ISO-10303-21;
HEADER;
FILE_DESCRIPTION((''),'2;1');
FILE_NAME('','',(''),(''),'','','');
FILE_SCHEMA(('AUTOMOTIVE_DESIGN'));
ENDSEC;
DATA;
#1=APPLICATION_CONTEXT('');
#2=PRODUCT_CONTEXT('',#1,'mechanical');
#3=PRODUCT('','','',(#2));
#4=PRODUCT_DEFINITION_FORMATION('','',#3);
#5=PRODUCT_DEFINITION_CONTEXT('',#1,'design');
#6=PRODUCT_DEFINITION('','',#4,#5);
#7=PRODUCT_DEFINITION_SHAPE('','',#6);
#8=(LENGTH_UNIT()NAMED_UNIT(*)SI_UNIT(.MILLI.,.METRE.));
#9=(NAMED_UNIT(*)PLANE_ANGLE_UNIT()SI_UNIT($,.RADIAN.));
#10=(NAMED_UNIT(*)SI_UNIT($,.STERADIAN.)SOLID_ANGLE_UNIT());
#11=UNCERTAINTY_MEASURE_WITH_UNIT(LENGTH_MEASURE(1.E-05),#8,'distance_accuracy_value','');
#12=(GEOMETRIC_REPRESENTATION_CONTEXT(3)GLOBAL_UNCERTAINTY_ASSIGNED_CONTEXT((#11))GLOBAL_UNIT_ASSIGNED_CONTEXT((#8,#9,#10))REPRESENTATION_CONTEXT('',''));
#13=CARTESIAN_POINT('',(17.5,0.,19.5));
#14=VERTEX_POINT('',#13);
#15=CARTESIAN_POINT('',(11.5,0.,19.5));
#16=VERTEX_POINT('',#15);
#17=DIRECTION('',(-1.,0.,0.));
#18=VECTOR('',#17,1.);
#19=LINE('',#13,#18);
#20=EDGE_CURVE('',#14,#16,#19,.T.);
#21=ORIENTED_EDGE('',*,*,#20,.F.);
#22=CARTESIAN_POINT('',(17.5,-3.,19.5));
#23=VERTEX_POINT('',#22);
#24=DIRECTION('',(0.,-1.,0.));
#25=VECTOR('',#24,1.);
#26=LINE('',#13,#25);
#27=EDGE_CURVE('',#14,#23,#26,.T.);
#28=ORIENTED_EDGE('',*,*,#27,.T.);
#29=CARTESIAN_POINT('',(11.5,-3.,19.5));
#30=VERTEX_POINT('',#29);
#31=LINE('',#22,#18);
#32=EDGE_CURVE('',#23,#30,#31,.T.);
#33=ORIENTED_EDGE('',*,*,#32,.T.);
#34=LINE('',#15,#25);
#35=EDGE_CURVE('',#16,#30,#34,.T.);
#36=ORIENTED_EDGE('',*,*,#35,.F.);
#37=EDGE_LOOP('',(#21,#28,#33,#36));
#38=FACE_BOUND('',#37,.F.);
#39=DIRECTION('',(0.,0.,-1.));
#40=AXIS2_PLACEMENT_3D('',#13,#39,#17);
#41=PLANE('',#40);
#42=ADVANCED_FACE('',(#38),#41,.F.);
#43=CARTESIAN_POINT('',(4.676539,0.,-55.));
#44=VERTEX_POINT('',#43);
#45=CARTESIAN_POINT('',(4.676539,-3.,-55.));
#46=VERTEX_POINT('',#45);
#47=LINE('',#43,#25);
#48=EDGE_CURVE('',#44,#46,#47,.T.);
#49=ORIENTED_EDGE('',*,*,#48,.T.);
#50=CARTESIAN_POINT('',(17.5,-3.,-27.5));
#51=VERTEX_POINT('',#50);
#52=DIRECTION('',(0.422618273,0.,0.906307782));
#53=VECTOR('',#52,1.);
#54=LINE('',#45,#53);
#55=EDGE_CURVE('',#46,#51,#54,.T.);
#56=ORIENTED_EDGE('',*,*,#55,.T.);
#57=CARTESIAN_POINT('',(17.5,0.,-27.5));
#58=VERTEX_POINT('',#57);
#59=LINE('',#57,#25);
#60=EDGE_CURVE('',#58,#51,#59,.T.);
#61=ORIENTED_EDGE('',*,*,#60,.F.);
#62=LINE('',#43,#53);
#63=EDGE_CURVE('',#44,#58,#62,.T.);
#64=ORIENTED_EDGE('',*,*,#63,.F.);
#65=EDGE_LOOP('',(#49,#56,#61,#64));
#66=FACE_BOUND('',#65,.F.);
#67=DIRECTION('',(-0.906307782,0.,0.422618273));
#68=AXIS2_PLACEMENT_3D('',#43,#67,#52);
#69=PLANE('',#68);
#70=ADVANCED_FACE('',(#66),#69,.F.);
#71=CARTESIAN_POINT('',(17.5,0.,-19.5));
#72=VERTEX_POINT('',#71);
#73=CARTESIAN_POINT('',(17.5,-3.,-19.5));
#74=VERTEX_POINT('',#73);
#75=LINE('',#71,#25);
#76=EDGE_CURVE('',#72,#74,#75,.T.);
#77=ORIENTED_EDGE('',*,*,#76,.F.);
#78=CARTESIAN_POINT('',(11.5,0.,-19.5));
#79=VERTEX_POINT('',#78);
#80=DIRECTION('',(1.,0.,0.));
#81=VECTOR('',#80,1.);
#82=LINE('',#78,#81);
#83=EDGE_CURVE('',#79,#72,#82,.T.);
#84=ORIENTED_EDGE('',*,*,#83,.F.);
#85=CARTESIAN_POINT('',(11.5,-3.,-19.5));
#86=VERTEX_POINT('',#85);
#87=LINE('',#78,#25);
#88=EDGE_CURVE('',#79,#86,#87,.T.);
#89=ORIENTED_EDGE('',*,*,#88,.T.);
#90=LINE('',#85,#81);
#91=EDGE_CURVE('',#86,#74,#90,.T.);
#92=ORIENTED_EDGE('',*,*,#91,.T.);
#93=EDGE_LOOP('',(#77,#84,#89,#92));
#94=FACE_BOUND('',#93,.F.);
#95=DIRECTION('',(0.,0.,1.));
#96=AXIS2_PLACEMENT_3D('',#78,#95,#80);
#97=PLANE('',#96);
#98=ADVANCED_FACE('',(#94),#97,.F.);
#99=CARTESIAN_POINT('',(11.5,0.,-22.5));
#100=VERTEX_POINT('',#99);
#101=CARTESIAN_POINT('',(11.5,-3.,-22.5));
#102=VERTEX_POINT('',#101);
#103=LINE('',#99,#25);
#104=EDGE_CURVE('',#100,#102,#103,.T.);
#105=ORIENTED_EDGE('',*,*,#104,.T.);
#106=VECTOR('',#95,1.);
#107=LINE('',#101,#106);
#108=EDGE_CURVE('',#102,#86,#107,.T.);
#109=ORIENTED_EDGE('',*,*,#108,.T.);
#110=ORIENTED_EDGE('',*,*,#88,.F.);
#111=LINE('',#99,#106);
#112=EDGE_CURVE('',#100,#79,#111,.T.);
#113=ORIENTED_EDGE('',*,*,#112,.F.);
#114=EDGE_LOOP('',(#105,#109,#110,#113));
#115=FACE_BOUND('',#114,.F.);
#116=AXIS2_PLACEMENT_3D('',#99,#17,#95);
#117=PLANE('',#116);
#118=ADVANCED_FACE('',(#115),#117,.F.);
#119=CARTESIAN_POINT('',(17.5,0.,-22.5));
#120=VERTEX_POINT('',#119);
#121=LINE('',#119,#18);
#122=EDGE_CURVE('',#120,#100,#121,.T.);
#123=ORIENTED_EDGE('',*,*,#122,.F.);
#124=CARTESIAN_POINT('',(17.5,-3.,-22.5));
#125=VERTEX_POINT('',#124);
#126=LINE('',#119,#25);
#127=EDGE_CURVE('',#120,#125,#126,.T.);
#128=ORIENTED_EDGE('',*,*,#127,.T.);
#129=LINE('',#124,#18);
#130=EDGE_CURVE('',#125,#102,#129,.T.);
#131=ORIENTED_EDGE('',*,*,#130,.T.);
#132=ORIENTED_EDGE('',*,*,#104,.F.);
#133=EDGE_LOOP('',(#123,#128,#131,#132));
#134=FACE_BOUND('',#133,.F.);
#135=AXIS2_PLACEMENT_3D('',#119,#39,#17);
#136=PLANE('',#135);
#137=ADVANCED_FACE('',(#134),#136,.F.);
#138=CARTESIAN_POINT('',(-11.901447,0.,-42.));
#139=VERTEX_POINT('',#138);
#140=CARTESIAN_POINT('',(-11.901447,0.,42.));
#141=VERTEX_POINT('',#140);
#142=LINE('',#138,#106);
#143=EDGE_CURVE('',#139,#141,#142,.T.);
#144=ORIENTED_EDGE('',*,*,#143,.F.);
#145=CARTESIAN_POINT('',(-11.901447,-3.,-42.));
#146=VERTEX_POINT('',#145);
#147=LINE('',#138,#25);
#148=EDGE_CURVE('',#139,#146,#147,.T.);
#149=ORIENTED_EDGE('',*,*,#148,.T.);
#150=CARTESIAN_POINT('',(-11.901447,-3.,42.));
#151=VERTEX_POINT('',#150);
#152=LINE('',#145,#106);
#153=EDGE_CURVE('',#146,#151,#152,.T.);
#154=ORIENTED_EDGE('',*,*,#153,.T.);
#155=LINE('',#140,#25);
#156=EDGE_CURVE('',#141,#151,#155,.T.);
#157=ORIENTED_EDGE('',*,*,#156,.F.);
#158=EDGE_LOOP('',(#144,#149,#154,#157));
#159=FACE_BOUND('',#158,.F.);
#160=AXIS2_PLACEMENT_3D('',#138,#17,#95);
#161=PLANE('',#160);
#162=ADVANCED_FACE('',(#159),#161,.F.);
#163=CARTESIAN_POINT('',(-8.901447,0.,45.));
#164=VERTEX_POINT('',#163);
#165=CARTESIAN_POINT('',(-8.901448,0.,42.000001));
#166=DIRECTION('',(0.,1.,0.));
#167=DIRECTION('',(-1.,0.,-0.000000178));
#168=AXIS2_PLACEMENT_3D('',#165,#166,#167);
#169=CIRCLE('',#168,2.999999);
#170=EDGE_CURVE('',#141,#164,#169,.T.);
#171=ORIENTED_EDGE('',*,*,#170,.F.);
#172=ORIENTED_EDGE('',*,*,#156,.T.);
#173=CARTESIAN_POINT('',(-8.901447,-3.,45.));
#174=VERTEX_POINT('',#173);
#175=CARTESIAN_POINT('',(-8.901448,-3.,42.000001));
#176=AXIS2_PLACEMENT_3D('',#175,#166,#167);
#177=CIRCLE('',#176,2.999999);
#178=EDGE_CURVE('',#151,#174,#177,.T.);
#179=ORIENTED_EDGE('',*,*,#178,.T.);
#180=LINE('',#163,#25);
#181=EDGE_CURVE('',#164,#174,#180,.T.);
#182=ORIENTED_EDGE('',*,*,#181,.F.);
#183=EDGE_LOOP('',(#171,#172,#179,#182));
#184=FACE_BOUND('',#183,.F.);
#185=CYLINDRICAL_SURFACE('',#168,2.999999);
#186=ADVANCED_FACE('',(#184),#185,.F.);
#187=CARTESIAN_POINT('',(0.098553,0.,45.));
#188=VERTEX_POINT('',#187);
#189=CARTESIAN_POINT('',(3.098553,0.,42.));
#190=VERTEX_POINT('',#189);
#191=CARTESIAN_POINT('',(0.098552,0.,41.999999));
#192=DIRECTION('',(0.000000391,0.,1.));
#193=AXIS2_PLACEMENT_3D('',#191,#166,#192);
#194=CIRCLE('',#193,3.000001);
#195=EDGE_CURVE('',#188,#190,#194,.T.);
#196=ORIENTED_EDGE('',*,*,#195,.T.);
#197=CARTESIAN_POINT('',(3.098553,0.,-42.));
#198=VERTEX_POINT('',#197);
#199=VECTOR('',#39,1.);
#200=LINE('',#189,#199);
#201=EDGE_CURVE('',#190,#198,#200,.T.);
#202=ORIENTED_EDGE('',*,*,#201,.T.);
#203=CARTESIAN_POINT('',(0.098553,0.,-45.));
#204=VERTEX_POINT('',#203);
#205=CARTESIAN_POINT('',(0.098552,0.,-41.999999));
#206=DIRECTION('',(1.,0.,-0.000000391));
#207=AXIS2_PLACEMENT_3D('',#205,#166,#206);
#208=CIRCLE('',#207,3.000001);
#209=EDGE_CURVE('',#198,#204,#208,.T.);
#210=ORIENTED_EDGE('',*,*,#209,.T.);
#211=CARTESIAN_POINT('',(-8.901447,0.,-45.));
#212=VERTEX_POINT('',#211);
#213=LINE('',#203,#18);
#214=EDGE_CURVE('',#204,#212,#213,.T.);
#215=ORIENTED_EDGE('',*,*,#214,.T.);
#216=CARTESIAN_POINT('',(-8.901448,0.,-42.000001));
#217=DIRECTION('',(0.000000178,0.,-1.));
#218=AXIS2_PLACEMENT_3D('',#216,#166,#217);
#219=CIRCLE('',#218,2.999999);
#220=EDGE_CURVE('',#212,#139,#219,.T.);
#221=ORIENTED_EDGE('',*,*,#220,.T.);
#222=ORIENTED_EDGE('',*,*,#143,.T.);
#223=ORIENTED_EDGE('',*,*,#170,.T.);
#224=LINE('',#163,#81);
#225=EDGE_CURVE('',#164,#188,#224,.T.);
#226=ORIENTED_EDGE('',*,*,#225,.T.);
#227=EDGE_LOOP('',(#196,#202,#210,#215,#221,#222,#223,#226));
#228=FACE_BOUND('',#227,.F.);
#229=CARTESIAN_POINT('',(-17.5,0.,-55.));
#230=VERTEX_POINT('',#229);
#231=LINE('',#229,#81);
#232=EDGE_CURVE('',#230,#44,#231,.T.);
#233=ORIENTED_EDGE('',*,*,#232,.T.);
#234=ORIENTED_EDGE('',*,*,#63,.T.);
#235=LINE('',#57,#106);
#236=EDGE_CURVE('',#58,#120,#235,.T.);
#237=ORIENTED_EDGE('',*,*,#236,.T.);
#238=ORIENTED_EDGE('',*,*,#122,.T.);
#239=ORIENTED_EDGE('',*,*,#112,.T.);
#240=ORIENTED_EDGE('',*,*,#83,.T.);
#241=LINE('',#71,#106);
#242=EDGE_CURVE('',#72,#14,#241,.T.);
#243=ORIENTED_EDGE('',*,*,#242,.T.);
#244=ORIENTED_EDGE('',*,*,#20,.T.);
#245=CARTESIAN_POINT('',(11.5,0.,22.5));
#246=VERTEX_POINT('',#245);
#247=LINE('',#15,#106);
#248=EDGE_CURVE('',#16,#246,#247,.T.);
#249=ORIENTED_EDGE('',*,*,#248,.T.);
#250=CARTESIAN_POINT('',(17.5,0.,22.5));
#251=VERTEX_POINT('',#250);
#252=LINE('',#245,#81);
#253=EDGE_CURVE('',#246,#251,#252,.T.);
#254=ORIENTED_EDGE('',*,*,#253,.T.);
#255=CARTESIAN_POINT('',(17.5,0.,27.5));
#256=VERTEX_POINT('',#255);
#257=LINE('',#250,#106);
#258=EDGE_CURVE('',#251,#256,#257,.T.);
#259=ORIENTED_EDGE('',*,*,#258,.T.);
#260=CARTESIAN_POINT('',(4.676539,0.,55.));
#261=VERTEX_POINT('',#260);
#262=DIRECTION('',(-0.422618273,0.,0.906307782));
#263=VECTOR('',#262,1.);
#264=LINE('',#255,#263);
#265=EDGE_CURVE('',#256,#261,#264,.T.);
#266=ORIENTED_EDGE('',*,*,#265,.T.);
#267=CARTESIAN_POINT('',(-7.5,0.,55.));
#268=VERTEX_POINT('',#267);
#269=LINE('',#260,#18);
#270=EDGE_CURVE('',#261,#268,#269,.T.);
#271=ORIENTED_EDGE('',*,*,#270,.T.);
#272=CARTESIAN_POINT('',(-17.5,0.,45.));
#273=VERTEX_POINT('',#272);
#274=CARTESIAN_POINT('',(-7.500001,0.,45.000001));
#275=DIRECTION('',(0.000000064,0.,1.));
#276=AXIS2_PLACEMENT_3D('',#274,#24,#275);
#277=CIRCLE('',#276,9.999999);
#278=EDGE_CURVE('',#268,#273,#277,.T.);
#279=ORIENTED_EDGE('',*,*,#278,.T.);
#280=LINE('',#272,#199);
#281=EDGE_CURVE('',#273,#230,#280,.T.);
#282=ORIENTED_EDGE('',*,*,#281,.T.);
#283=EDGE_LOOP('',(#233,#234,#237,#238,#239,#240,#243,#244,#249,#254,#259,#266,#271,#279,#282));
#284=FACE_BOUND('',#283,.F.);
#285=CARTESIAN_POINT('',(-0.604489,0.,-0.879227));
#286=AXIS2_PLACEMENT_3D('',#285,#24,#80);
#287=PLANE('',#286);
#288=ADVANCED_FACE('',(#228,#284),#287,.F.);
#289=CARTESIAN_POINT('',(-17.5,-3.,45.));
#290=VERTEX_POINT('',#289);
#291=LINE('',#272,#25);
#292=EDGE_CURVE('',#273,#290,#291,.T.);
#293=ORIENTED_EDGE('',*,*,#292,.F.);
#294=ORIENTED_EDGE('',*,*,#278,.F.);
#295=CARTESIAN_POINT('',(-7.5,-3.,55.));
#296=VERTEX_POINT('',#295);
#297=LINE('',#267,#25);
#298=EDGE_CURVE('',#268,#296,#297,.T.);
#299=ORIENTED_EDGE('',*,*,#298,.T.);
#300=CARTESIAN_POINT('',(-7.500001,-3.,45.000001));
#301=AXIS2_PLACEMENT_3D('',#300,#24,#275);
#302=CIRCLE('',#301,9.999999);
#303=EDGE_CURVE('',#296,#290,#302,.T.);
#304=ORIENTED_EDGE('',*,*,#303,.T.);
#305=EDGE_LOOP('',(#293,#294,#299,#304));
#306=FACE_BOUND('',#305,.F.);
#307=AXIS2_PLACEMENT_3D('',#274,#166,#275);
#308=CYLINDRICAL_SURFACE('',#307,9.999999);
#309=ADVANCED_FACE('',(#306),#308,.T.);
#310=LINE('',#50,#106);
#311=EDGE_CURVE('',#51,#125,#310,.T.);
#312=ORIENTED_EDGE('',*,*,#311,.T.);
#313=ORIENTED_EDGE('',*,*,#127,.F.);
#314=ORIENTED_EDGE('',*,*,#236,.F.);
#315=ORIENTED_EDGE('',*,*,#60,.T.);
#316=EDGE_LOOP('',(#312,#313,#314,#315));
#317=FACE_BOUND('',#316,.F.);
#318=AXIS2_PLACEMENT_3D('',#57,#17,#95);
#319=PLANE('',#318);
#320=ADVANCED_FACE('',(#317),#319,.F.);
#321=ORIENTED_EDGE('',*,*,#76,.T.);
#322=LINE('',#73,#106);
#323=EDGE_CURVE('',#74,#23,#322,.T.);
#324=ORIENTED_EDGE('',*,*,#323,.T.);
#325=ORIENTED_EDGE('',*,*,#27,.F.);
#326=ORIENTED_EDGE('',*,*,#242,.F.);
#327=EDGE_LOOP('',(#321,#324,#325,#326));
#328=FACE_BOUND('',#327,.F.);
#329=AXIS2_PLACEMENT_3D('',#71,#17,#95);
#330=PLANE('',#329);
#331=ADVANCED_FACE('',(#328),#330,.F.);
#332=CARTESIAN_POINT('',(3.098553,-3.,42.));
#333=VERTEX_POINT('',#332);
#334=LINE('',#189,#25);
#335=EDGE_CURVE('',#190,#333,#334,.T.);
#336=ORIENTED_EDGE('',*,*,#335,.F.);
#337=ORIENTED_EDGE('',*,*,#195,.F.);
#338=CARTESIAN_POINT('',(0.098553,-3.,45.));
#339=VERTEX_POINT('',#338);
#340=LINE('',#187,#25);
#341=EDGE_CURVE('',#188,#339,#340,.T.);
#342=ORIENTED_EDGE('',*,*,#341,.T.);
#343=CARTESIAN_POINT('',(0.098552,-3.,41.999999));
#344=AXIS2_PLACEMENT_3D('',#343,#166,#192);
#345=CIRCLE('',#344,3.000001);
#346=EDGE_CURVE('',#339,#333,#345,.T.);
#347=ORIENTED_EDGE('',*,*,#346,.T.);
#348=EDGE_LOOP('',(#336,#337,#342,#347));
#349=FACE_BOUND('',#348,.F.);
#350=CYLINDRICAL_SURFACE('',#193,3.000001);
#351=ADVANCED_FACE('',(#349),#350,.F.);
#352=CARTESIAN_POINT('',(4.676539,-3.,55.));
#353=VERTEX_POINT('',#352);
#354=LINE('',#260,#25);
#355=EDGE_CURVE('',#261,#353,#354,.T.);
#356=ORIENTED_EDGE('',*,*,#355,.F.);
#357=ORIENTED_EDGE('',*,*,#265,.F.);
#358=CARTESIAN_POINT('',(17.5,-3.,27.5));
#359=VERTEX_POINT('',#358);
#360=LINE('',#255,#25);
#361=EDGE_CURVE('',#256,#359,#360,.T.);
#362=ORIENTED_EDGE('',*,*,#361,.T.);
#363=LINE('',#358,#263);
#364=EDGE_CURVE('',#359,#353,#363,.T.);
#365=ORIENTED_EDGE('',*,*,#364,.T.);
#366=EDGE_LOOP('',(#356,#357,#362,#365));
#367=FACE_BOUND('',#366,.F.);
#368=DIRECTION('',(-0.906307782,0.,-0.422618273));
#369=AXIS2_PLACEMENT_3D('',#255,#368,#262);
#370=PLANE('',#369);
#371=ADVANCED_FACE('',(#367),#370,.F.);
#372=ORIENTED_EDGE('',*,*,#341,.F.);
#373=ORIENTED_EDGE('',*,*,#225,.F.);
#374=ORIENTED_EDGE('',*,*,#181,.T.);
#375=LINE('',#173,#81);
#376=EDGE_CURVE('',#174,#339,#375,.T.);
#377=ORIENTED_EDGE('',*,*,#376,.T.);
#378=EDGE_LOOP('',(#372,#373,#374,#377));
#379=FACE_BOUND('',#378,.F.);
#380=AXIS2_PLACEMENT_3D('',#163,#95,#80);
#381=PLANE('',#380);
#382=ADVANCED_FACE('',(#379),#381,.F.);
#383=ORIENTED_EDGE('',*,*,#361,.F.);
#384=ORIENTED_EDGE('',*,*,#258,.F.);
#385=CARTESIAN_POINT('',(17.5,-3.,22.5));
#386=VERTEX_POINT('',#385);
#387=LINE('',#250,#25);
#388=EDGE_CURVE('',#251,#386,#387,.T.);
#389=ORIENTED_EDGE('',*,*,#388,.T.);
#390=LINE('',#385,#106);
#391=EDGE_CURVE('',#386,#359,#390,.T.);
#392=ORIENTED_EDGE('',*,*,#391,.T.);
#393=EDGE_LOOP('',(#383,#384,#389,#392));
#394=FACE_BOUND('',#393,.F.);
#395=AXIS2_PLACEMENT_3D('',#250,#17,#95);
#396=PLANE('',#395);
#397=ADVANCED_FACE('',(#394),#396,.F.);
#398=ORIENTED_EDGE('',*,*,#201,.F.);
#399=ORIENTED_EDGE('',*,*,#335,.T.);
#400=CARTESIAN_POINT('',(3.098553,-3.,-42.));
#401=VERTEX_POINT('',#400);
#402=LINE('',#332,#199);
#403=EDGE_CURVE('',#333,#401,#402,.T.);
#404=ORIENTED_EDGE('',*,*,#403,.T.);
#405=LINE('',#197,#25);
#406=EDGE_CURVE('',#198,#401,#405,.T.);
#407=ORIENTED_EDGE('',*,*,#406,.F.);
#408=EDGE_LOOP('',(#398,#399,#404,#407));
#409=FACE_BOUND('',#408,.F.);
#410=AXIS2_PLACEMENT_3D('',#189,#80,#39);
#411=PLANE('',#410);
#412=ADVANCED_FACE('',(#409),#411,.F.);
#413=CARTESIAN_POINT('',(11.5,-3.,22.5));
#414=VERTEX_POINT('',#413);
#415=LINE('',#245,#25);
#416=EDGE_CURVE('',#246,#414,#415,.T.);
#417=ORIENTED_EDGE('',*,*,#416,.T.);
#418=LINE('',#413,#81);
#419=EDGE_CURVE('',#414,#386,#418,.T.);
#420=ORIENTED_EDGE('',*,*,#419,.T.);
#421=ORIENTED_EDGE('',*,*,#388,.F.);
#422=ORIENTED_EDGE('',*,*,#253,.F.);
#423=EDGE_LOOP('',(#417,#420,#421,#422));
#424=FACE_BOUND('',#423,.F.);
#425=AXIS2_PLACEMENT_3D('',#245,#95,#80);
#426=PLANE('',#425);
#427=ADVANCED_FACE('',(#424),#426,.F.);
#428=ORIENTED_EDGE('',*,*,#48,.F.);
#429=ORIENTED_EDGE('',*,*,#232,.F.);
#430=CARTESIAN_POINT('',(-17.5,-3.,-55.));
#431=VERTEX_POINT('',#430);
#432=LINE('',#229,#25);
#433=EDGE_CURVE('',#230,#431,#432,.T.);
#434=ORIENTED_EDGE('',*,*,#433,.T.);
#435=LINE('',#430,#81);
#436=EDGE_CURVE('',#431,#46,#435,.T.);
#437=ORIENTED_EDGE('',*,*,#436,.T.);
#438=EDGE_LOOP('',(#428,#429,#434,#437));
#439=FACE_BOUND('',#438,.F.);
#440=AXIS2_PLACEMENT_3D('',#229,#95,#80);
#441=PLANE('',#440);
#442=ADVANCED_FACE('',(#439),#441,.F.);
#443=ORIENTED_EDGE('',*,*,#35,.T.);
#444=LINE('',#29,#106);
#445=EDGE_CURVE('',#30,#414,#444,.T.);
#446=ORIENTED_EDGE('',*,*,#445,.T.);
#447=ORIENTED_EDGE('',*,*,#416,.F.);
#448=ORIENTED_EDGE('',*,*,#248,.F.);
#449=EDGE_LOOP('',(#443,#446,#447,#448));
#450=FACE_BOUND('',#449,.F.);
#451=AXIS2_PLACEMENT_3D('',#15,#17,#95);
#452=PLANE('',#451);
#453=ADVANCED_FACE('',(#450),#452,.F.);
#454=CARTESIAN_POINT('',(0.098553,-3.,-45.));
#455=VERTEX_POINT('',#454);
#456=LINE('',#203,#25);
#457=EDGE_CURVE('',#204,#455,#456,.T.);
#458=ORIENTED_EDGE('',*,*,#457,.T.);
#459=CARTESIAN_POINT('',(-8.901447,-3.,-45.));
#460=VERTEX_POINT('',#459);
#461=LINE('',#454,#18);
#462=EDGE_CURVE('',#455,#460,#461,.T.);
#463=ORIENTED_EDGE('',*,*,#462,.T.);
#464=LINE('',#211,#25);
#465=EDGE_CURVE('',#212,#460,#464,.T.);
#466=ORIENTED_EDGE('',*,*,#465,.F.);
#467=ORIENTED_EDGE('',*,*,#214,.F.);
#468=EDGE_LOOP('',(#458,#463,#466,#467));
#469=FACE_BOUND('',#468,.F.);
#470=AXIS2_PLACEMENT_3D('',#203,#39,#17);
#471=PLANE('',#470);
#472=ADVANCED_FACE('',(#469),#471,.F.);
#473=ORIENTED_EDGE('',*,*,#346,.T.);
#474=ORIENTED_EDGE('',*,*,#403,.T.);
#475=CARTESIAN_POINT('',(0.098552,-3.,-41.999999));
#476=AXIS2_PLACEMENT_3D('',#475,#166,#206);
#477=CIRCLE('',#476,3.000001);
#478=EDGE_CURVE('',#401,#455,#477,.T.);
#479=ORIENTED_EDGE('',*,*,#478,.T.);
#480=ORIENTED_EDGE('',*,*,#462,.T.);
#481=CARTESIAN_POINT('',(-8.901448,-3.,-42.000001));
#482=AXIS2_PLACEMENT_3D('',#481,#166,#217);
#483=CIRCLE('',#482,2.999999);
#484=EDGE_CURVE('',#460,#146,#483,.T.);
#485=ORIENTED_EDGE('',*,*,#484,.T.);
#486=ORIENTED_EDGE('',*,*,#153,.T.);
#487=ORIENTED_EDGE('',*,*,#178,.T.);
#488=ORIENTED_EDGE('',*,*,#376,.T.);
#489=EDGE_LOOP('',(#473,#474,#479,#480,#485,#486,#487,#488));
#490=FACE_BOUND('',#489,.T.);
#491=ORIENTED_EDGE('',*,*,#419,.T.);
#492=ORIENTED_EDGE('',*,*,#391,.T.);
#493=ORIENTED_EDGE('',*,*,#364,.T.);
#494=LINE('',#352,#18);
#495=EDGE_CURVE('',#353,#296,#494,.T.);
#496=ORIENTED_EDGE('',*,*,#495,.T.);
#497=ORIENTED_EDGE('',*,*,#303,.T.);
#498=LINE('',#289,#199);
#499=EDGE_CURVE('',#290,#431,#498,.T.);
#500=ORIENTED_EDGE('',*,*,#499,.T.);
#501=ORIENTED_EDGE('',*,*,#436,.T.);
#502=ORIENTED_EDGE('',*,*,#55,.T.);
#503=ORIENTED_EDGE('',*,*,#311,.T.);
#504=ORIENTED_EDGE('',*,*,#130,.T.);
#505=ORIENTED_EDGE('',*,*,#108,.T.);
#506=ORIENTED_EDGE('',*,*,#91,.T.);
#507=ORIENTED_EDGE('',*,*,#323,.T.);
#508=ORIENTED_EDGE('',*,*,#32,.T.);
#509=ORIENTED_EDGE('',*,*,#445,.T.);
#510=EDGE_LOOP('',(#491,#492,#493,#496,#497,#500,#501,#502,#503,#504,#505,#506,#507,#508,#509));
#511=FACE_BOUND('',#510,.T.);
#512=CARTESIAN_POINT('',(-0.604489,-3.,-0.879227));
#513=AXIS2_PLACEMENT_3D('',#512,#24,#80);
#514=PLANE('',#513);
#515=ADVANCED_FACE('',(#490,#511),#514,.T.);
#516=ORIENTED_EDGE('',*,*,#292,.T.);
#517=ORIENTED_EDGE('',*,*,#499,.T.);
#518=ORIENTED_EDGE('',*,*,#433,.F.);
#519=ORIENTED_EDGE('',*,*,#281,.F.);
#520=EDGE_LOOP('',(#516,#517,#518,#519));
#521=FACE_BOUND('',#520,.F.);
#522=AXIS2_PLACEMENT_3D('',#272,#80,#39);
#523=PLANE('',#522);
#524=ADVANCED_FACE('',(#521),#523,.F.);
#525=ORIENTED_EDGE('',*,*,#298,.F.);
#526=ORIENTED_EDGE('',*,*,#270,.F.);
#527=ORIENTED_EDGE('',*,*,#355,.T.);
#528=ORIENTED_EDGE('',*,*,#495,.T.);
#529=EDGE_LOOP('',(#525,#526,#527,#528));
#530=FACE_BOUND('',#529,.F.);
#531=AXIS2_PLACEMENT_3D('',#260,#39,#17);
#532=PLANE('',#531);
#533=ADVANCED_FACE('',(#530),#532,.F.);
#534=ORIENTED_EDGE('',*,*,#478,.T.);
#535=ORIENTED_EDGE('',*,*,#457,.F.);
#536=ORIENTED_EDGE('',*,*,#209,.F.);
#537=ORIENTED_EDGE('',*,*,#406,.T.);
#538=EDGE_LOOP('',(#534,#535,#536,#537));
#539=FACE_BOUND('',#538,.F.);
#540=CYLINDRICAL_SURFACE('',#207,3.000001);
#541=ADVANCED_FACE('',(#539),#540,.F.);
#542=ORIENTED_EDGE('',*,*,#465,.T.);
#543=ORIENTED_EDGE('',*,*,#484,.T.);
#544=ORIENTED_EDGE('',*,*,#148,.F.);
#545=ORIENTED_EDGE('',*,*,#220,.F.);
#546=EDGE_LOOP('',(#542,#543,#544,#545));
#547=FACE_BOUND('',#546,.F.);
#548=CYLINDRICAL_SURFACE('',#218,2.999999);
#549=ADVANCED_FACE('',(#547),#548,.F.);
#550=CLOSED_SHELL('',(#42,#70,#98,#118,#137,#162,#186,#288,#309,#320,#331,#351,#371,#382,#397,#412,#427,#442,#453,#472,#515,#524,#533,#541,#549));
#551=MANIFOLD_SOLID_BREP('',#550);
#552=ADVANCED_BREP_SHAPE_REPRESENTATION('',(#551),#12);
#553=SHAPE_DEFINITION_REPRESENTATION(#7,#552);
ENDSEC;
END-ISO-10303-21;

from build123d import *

# Parameters (mm, degrees)
F1_DEPTH = 3


with BuildPart() as f1:
    # F0 (on Front) → F1 (new body)
    with BuildSketch(Plane.XZ):
        with BuildLine():
            Line((17.5, 27.5), (4.676539, 55))
            Line((4.676539, 55), (-7.5, 55))
            ThreePointArc((-7.5, 55), (-14.571068, 52.071068), (-17.5, 45))
            Line((-17.5, 45), (-17.5, -55))
            Line((-17.5, -55), (4.676539, -55))
            Line((4.676539, -55), (17.5, -27.5))
            Line((17.5, -27.5), (17.5, -22.5))
            Line((17.5, -22.5), (11.5, -22.5))
            Line((11.5, -22.5), (11.5, -19.5))
            Line((11.5, -19.5), (17.5, -19.5))
            Line((17.5, -19.5), (17.5, 19.5))
            Line((17.5, 19.5), (11.5, 19.5))
            Line((11.5, 19.5), (11.5, 22.5))
            Line((11.5, 22.5), (17.5, 22.5))
            Line((17.5, 22.5), (17.5, 27.5))
        make_face()
        with BuildLine():
            ThreePointArc((-11.901447, 42), (-11.022768, 44.12132), (-8.901447, 45))
            Line((-8.901447, 45), (0.098553, 45))
            ThreePointArc((0.098553, 45), (2.219873, 44.12132), (3.098553, 42))
            Line((3.098553, 42), (3.098553, -42))
            ThreePointArc((3.098553, -42), (2.219873, -44.12132), (0.098553, -45))
            Line((0.098553, -45), (-8.901447, -45))
            ThreePointArc((-8.901447, -45), (-11.022768, -44.12132), (-11.901447, -42))
            Line((-11.901447, -42), (-11.901447, 42))
        make_face(mode=Mode.SUBTRACT)
    extrude(amount=F1_DEPTH)


solid = f1.part
